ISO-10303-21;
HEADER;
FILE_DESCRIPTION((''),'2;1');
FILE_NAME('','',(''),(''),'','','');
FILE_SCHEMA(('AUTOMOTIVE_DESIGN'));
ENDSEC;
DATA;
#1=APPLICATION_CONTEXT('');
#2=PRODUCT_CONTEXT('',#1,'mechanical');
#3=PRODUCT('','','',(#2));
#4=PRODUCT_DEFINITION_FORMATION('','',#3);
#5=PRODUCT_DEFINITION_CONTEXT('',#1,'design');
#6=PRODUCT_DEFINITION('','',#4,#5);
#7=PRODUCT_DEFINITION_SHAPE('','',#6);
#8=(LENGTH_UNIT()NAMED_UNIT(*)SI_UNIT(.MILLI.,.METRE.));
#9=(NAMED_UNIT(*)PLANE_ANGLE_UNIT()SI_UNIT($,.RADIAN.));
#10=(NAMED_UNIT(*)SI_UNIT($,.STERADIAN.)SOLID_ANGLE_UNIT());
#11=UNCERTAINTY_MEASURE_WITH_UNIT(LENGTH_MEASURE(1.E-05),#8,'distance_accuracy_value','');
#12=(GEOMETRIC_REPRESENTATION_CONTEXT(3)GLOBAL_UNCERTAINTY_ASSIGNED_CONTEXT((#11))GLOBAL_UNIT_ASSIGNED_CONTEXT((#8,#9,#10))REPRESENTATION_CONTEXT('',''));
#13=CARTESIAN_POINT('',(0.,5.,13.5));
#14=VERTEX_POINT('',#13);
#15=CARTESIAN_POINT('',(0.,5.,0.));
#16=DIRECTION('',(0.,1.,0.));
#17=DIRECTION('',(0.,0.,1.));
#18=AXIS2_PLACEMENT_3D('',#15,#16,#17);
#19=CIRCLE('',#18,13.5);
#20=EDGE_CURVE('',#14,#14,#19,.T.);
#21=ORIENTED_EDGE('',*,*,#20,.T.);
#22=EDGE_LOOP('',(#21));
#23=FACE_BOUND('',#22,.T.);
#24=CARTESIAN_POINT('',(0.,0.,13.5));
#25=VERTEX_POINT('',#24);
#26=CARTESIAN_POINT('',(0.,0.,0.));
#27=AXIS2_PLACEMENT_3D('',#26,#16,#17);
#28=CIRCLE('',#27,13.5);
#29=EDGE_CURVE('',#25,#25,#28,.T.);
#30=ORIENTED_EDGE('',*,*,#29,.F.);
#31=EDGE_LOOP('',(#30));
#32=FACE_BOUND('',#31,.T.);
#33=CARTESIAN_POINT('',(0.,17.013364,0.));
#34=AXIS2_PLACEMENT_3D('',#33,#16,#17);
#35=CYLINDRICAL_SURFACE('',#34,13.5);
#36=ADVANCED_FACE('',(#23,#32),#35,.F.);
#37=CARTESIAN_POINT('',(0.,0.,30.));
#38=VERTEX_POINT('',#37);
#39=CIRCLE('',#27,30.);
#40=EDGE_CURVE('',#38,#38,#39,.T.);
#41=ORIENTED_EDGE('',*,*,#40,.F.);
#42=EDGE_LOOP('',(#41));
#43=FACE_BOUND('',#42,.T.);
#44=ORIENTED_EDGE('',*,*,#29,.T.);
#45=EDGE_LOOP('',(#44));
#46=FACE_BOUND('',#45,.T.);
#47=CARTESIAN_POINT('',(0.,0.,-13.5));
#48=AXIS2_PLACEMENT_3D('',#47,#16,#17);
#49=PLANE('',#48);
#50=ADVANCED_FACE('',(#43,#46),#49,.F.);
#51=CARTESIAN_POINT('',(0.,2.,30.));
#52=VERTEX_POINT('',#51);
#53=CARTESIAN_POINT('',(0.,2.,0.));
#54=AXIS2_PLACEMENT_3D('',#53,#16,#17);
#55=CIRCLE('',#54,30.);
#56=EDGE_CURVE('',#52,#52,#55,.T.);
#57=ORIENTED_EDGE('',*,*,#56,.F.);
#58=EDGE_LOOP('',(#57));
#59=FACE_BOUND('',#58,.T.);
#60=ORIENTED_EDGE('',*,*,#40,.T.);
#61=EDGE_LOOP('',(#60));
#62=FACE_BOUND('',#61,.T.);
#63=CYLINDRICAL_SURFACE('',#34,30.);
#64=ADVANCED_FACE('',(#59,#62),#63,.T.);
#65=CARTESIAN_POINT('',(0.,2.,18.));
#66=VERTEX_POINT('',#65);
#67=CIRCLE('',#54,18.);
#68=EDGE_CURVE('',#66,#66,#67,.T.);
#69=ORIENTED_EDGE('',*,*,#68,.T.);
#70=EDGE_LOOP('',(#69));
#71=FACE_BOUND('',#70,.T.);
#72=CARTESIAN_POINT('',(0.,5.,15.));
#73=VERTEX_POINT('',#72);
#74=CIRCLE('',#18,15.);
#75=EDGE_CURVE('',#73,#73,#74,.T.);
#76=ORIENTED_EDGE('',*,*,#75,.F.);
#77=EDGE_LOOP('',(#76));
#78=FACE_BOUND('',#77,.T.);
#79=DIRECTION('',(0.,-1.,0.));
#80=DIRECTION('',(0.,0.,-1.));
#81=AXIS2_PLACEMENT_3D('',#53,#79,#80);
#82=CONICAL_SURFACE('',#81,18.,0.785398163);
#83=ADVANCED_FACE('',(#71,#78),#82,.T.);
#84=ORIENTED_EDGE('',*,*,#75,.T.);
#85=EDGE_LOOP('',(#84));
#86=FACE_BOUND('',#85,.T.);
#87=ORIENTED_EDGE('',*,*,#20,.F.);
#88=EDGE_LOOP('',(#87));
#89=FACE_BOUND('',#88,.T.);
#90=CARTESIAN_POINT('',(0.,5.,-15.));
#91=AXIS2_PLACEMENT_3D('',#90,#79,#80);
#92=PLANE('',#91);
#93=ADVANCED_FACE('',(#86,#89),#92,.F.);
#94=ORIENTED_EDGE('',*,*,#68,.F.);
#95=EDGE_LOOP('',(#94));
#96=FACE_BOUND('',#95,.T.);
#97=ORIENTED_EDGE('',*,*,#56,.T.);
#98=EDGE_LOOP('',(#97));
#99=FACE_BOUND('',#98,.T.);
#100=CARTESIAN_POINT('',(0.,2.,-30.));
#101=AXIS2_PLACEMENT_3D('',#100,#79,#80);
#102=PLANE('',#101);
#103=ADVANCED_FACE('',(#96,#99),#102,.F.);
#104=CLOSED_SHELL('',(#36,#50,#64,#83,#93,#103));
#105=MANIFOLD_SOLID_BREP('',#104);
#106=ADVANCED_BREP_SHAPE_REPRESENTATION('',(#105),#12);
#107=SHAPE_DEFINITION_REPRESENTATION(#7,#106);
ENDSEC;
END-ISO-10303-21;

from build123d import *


with BuildPart() as part:
    # Эскиз3 → Повернуть1 (revolve)
    with BuildSketch(Plane(origin=(0, 0, 0), x_dir=(0, 0, -1), z_dir=(1, 0, 0)), mode=Mode.PRIVATE) as revolve_1_sk:
        Polygon((13.5, 0), (30, 0), (30, 2), (18, 2), (15, 5), (13.5, 5), align=None)
    revolve(revolve_1_sk.sketch.rotate(Axis((0, 17.013363668, 0), (0, -1, 0)), 180), axis=Axis((0, 17.013363668, 0), (0, -1, 0)))


solid = part.part
